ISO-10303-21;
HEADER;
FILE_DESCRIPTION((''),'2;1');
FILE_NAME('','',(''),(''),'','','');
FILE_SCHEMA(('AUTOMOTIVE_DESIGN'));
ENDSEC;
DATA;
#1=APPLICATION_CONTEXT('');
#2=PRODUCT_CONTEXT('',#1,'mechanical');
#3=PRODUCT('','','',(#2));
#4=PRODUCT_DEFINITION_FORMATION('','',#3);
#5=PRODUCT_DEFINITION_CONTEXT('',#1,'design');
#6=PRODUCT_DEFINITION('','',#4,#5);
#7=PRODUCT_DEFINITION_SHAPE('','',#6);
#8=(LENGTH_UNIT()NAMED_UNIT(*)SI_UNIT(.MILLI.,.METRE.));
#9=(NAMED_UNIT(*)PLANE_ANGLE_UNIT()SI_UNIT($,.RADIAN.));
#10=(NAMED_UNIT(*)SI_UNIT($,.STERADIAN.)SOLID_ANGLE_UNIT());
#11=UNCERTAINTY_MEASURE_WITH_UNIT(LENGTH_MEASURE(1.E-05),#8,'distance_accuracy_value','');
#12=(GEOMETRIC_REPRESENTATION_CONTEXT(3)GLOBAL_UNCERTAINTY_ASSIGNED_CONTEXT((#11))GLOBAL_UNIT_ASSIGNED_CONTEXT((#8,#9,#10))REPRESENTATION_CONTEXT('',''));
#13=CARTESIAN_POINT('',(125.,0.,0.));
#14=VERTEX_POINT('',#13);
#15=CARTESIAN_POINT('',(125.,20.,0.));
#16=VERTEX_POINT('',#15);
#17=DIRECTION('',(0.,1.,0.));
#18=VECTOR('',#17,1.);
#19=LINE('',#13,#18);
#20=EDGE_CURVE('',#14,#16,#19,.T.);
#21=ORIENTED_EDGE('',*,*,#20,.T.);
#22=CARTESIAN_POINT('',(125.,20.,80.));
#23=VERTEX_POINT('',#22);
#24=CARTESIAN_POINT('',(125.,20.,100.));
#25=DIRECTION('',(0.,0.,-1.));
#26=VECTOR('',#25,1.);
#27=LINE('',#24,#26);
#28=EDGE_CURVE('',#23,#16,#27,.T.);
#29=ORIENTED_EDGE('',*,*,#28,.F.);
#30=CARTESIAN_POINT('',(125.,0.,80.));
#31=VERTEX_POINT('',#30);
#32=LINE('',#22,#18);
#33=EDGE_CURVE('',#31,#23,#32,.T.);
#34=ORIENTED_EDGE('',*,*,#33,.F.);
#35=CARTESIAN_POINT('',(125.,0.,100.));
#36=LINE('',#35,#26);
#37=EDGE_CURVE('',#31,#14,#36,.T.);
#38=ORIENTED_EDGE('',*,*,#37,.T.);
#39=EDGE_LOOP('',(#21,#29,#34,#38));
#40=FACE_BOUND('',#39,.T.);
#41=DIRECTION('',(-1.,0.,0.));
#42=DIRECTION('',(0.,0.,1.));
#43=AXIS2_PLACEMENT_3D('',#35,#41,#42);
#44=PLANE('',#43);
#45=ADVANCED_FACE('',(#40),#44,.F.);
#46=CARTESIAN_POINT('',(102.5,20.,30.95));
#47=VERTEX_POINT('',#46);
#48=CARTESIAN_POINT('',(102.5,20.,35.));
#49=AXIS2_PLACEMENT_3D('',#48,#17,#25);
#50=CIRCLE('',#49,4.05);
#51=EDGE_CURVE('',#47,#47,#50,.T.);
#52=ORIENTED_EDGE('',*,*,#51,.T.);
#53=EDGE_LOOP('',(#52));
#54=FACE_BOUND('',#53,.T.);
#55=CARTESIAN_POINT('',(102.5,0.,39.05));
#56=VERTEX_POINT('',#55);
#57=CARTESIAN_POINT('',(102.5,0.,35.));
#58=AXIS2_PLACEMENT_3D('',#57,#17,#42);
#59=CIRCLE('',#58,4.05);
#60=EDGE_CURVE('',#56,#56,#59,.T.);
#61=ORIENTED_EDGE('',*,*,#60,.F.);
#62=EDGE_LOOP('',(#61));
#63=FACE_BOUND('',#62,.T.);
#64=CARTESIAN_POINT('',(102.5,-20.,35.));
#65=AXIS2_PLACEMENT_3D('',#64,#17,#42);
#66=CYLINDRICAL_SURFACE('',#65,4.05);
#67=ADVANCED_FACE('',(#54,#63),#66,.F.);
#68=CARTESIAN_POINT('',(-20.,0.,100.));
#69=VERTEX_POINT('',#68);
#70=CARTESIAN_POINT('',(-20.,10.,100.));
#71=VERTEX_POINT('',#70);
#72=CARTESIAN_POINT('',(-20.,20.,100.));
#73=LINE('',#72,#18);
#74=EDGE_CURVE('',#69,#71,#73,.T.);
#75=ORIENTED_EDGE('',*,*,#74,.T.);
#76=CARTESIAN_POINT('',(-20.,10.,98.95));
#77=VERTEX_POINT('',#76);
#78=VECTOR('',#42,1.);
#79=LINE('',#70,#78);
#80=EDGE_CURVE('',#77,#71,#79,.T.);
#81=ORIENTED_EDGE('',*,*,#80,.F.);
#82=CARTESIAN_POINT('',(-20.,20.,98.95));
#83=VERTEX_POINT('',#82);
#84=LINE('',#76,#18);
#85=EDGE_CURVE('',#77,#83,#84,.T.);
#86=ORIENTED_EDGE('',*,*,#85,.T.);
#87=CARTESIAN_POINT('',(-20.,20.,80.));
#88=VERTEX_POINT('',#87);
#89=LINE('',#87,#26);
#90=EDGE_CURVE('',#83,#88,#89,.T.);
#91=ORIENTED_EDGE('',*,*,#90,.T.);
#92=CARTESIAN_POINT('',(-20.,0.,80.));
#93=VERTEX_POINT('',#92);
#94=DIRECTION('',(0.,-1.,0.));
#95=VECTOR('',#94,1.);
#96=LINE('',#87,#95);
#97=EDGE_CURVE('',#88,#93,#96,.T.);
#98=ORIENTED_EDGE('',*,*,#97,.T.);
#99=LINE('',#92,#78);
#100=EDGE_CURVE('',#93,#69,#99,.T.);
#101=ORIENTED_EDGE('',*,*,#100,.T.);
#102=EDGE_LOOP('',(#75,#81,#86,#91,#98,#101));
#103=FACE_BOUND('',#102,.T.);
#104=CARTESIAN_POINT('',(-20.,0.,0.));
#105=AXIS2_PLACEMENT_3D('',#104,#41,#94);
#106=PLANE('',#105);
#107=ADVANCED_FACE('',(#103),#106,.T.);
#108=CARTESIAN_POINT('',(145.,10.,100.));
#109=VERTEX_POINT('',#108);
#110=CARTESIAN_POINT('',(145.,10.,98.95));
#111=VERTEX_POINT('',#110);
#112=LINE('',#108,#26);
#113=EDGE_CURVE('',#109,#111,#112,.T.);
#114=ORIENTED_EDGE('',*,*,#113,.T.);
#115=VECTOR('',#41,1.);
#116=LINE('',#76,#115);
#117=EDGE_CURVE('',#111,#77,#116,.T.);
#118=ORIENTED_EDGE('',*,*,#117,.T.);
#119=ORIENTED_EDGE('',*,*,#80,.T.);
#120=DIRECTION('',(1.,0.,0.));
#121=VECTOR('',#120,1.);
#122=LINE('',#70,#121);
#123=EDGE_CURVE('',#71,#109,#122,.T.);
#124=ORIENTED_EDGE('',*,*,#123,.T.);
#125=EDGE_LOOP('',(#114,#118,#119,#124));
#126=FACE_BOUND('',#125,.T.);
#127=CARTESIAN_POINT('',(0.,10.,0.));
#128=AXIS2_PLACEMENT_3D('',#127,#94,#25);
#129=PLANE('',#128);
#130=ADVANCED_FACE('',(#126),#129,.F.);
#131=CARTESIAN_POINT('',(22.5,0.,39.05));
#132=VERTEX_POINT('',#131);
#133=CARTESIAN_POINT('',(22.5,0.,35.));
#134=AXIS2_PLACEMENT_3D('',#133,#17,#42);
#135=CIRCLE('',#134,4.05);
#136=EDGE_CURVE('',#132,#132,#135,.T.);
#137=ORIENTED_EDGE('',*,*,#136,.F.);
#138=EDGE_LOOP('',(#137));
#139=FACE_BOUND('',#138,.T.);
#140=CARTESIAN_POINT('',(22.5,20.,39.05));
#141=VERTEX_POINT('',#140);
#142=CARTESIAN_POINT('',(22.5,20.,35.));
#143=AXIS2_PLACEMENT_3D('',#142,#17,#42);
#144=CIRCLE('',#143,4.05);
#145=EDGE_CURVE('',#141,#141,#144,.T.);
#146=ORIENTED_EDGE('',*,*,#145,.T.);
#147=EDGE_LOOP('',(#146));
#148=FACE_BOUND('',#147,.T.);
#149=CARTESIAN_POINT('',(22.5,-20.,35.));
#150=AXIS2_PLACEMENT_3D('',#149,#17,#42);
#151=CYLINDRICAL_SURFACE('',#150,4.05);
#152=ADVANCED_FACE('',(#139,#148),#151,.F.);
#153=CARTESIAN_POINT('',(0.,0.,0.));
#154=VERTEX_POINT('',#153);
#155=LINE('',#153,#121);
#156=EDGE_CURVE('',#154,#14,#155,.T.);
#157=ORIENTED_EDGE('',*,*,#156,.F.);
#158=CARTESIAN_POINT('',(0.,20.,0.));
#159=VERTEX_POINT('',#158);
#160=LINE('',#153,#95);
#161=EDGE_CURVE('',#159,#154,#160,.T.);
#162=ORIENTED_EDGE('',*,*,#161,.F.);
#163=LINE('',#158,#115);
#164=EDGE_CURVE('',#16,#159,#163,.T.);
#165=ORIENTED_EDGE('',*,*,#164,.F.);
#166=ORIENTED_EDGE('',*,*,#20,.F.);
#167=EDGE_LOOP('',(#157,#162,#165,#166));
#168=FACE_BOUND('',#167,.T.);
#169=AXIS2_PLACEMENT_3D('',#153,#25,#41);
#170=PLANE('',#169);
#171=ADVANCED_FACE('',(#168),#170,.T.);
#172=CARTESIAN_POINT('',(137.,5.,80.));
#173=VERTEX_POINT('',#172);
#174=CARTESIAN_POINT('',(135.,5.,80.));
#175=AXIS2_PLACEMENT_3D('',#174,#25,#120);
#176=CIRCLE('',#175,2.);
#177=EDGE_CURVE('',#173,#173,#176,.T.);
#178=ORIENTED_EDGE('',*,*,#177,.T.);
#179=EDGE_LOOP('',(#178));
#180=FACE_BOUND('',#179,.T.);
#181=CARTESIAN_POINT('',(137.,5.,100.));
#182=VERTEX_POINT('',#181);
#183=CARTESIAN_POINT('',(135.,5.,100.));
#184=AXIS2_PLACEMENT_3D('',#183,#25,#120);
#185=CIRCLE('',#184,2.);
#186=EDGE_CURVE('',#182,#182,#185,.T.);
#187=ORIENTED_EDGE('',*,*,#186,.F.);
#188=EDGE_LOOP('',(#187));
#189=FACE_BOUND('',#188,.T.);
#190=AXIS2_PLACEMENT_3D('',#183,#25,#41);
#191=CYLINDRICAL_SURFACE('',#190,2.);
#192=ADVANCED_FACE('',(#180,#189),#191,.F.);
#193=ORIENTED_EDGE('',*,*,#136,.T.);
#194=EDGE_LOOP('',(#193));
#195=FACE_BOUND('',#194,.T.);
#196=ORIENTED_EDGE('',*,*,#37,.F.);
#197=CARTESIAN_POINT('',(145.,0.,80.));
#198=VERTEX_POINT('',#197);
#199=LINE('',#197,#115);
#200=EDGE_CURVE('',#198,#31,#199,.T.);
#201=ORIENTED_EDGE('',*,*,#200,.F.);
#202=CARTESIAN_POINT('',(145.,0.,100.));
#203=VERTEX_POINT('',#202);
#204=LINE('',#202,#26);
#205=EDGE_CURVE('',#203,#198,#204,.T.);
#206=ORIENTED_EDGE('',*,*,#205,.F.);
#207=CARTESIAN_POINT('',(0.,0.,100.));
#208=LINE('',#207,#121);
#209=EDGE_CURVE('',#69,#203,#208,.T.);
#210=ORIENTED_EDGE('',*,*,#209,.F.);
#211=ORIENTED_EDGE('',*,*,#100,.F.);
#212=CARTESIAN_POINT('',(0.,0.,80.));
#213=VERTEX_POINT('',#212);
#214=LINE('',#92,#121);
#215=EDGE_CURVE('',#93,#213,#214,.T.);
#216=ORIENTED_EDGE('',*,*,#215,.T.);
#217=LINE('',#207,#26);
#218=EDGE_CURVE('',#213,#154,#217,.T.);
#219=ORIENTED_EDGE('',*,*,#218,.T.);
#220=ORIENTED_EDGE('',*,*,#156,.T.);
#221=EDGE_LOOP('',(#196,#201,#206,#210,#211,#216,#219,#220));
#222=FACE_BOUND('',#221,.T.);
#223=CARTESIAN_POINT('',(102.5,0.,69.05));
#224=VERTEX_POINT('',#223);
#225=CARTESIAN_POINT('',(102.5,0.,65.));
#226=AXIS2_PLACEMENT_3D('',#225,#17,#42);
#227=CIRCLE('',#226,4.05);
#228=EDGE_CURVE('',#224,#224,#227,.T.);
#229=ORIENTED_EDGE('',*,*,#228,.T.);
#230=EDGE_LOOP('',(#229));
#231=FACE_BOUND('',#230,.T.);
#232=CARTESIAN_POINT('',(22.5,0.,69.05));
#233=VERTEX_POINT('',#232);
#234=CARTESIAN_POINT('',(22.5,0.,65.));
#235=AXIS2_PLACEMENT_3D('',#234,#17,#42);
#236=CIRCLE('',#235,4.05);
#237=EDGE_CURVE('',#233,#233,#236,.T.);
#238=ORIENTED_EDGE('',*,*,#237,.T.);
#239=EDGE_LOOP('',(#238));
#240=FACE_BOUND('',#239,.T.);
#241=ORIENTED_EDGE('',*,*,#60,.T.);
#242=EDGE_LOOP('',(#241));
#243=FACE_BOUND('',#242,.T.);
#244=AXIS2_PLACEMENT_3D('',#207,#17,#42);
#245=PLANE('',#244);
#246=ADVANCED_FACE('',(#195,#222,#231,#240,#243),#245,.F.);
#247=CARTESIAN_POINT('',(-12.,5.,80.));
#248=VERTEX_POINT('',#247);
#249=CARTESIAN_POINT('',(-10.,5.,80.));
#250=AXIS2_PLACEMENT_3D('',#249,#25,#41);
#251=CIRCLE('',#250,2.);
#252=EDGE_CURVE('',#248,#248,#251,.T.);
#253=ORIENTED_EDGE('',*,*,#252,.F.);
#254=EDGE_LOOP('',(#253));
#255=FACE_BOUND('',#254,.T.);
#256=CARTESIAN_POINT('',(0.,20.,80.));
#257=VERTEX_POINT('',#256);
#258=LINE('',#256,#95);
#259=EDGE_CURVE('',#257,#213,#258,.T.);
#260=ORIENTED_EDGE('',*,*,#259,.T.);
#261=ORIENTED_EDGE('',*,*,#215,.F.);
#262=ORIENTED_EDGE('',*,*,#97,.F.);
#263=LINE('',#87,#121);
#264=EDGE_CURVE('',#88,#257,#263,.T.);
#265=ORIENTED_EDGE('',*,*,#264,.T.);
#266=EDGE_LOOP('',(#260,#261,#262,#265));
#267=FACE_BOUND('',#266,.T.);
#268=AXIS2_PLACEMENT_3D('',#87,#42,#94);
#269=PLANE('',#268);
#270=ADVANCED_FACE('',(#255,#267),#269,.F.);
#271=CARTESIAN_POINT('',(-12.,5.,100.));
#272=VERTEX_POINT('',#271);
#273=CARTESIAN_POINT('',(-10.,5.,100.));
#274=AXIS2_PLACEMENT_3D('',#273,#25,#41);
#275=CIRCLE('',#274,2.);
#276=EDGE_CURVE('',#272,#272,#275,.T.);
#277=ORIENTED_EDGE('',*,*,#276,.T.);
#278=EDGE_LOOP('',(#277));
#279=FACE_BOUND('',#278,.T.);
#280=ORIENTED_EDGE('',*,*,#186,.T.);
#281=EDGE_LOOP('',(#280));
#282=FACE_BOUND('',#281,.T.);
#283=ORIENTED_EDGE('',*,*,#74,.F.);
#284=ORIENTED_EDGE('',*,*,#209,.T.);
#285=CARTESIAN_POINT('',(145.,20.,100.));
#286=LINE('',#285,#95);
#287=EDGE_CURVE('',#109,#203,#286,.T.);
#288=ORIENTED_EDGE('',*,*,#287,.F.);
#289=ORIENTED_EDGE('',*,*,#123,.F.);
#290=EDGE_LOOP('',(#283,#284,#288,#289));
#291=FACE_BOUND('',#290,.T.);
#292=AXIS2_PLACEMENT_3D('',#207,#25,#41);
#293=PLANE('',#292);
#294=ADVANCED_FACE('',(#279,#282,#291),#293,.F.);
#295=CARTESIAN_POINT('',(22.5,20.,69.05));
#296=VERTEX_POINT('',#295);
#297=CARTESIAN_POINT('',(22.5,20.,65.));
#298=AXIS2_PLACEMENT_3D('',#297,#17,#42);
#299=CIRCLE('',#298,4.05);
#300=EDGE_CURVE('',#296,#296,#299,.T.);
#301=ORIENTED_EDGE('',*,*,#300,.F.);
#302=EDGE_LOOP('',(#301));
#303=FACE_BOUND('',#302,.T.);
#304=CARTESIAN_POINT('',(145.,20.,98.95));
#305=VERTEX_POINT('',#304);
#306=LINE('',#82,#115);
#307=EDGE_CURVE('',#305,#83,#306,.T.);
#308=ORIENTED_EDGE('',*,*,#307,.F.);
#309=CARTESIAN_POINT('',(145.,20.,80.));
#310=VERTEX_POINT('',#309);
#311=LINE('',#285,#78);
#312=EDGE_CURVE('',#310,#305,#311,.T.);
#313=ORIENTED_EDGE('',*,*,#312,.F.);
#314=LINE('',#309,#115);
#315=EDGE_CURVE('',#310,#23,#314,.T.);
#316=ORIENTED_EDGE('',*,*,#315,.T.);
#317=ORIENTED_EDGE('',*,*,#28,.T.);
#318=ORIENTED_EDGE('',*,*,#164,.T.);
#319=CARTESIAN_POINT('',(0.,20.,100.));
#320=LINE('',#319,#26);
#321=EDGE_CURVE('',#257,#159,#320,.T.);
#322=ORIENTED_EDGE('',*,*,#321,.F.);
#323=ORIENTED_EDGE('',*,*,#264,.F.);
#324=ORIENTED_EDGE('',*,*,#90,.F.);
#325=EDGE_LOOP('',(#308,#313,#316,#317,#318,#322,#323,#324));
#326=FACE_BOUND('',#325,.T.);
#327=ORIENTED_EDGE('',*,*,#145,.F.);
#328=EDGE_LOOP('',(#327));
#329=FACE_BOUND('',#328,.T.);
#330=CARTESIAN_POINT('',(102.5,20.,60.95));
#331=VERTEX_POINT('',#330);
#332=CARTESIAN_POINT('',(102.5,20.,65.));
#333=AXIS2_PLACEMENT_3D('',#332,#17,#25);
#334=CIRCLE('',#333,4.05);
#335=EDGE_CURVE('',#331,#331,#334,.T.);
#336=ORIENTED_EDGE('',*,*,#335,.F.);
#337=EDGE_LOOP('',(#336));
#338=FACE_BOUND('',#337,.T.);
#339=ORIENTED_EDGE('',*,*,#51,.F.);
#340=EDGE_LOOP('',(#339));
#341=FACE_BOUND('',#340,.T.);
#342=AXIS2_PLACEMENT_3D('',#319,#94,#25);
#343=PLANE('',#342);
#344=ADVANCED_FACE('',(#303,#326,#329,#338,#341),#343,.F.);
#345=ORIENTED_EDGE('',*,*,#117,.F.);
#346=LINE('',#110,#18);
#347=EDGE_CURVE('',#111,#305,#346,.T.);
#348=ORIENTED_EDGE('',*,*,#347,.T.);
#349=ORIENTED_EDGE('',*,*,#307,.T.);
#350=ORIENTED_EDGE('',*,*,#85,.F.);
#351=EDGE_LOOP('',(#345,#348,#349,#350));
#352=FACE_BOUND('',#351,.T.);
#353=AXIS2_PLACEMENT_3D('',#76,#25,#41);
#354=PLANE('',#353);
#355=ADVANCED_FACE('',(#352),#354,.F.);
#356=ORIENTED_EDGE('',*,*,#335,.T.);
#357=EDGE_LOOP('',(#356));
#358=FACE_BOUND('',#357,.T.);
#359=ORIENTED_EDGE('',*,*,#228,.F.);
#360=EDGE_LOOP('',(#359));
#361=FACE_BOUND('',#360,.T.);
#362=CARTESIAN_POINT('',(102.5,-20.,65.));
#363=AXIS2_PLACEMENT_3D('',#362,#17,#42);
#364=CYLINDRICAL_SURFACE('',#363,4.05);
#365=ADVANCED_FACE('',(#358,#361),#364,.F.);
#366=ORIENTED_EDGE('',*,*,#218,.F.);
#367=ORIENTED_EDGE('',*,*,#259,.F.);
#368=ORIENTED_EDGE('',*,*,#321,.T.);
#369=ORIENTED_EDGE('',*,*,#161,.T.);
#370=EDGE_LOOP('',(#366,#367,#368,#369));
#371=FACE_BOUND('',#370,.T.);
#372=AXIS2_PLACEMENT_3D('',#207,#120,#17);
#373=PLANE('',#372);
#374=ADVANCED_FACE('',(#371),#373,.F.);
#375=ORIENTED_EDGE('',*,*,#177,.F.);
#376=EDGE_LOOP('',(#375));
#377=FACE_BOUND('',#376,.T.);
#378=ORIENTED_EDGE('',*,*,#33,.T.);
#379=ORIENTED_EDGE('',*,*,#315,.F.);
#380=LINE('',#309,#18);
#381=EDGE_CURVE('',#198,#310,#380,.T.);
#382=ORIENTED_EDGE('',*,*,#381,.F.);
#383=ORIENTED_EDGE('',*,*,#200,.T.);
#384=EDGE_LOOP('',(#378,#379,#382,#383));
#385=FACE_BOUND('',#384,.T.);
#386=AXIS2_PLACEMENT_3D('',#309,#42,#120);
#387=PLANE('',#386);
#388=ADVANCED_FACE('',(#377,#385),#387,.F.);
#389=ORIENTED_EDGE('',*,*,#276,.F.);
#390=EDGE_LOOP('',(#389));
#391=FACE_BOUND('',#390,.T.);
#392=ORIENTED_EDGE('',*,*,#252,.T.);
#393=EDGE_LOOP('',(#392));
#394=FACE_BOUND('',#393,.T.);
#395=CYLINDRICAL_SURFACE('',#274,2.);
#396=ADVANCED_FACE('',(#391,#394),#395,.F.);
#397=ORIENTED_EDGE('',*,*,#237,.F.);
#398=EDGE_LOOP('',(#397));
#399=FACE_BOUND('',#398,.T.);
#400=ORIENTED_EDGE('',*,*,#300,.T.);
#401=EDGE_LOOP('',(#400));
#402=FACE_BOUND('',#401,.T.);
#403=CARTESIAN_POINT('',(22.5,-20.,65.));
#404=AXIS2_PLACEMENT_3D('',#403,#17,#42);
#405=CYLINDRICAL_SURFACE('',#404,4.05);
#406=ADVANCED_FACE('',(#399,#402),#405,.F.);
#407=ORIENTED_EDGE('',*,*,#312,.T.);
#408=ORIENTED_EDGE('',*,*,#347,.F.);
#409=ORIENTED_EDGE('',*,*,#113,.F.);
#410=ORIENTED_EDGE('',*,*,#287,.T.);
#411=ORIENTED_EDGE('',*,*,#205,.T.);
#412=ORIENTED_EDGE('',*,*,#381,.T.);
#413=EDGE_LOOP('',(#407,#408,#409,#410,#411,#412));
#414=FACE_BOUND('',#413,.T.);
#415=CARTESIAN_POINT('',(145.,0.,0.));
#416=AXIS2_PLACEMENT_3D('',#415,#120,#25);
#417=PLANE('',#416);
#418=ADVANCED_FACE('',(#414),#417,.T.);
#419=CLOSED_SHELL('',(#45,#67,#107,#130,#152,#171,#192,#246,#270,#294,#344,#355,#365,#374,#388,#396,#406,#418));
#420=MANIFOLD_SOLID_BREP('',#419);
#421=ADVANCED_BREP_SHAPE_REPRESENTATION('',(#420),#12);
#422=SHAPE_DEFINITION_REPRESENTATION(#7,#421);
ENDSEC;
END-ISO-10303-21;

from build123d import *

# Parameters (mm, degrees)
SKETCH1_W               = 125
SKETCH1_H               = 20
BOSS_EXTRUDE1_DEPTH     = 100
SKETCH8_W               = 20
SKETCH8_H               = 20
BOSS_EXTRUDE2_DEPTH     = 20
SKETCH11_R              = 4.05
CUT_EXTRUDE3_DEPTH      = 40
SKETCH9_W               = 20
SKETCH9_H               = 20
BOSS_EXTRUDE3_DEPTH     = 20
SKETCH10_R              = 2
CUT_EXTRUDE2_DEPTH      = 20
ESQUISSE2_W             = 165
ESQUISSE2_H             = 1.05
ENL_V_MAT_EXTRU_1_DEPTH = 10


with BuildPart() as part:
    # Sketch1 → Boss-Extrude1 (new body)
    with BuildSketch(Plane.XY):
        with Locations((62.5, 10)):
            Rectangle(SKETCH1_W, SKETCH1_H)
    extrude(amount=BOSS_EXTRUDE1_DEPTH)

    # Sketch8 → Boss-Extrude2 (add)
    with BuildSketch(Plane.ZY):
        with Locations((90, 10)):
            Rectangle(SKETCH8_W, SKETCH8_H)
    extrude(amount=BOSS_EXTRUDE2_DEPTH)

    # Sketch11 → Cut-Extrude3 (cut)
    with BuildSketch(Plane(origin=(0, 20, 0), x_dir=(1, 0, 0), z_dir=(0, 1, 0))):
        with Locations(Location((22.5, -35, 0), (0, 0, 270))):
            Circle(SKETCH11_R)
        with Locations(Location((22.5, -65, 0), (0, 0, 270))):
            Circle(SKETCH11_R)
        with Locations(Location((102.5, -65, 0), (0, 0, 270))):
            Circle(SKETCH11_R)
        with Locations(Location((102.5, -35, 0), (0, 0, 270))):
            Circle(SKETCH11_R)
    extrude(amount=-CUT_EXTRUDE3_DEPTH, mode=Mode.SUBTRACT)

    # Sketch9 → Boss-Extrude3 (add)
    with BuildSketch(Plane(origin=(125, 0, 0), x_dir=(0, 0, -1), z_dir=(1, 0, 0))):
        with Locations((-90, 10)):
            Rectangle(SKETCH9_W, SKETCH9_H)
    extrude(amount=BOSS_EXTRUDE3_DEPTH)

    # Sketch10 → Cut-Extrude2 (cut)
    with BuildSketch(Plane(origin=(0, 0, 80), x_dir=(-1, 0, 0), z_dir=(0, 0, -1))):
        with Locations((10, 5)):
            Circle(SKETCH10_R)
        with Locations(Location((-135, 5, 0), (0, 0, 180))):
            Circle(SKETCH10_R)
    extrude(amount=-CUT_EXTRUDE2_DEPTH, mode=Mode.SUBTRACT)

    # Esquisse2 → Enlèv. mat.-Extru.1 (cut)
    with BuildSketch(Plane(origin=(0, 20, 0), x_dir=(1, 0, 0), z_dir=(0, 1, 0))):
        with Locations((62.5, -99.475)):
            Rectangle(ESQUISSE2_W, ESQUISSE2_H)
    extrude(amount=-ENL_V_MAT_EXTRU_1_DEPTH, mode=Mode.SUBTRACT)


solid = part.part
